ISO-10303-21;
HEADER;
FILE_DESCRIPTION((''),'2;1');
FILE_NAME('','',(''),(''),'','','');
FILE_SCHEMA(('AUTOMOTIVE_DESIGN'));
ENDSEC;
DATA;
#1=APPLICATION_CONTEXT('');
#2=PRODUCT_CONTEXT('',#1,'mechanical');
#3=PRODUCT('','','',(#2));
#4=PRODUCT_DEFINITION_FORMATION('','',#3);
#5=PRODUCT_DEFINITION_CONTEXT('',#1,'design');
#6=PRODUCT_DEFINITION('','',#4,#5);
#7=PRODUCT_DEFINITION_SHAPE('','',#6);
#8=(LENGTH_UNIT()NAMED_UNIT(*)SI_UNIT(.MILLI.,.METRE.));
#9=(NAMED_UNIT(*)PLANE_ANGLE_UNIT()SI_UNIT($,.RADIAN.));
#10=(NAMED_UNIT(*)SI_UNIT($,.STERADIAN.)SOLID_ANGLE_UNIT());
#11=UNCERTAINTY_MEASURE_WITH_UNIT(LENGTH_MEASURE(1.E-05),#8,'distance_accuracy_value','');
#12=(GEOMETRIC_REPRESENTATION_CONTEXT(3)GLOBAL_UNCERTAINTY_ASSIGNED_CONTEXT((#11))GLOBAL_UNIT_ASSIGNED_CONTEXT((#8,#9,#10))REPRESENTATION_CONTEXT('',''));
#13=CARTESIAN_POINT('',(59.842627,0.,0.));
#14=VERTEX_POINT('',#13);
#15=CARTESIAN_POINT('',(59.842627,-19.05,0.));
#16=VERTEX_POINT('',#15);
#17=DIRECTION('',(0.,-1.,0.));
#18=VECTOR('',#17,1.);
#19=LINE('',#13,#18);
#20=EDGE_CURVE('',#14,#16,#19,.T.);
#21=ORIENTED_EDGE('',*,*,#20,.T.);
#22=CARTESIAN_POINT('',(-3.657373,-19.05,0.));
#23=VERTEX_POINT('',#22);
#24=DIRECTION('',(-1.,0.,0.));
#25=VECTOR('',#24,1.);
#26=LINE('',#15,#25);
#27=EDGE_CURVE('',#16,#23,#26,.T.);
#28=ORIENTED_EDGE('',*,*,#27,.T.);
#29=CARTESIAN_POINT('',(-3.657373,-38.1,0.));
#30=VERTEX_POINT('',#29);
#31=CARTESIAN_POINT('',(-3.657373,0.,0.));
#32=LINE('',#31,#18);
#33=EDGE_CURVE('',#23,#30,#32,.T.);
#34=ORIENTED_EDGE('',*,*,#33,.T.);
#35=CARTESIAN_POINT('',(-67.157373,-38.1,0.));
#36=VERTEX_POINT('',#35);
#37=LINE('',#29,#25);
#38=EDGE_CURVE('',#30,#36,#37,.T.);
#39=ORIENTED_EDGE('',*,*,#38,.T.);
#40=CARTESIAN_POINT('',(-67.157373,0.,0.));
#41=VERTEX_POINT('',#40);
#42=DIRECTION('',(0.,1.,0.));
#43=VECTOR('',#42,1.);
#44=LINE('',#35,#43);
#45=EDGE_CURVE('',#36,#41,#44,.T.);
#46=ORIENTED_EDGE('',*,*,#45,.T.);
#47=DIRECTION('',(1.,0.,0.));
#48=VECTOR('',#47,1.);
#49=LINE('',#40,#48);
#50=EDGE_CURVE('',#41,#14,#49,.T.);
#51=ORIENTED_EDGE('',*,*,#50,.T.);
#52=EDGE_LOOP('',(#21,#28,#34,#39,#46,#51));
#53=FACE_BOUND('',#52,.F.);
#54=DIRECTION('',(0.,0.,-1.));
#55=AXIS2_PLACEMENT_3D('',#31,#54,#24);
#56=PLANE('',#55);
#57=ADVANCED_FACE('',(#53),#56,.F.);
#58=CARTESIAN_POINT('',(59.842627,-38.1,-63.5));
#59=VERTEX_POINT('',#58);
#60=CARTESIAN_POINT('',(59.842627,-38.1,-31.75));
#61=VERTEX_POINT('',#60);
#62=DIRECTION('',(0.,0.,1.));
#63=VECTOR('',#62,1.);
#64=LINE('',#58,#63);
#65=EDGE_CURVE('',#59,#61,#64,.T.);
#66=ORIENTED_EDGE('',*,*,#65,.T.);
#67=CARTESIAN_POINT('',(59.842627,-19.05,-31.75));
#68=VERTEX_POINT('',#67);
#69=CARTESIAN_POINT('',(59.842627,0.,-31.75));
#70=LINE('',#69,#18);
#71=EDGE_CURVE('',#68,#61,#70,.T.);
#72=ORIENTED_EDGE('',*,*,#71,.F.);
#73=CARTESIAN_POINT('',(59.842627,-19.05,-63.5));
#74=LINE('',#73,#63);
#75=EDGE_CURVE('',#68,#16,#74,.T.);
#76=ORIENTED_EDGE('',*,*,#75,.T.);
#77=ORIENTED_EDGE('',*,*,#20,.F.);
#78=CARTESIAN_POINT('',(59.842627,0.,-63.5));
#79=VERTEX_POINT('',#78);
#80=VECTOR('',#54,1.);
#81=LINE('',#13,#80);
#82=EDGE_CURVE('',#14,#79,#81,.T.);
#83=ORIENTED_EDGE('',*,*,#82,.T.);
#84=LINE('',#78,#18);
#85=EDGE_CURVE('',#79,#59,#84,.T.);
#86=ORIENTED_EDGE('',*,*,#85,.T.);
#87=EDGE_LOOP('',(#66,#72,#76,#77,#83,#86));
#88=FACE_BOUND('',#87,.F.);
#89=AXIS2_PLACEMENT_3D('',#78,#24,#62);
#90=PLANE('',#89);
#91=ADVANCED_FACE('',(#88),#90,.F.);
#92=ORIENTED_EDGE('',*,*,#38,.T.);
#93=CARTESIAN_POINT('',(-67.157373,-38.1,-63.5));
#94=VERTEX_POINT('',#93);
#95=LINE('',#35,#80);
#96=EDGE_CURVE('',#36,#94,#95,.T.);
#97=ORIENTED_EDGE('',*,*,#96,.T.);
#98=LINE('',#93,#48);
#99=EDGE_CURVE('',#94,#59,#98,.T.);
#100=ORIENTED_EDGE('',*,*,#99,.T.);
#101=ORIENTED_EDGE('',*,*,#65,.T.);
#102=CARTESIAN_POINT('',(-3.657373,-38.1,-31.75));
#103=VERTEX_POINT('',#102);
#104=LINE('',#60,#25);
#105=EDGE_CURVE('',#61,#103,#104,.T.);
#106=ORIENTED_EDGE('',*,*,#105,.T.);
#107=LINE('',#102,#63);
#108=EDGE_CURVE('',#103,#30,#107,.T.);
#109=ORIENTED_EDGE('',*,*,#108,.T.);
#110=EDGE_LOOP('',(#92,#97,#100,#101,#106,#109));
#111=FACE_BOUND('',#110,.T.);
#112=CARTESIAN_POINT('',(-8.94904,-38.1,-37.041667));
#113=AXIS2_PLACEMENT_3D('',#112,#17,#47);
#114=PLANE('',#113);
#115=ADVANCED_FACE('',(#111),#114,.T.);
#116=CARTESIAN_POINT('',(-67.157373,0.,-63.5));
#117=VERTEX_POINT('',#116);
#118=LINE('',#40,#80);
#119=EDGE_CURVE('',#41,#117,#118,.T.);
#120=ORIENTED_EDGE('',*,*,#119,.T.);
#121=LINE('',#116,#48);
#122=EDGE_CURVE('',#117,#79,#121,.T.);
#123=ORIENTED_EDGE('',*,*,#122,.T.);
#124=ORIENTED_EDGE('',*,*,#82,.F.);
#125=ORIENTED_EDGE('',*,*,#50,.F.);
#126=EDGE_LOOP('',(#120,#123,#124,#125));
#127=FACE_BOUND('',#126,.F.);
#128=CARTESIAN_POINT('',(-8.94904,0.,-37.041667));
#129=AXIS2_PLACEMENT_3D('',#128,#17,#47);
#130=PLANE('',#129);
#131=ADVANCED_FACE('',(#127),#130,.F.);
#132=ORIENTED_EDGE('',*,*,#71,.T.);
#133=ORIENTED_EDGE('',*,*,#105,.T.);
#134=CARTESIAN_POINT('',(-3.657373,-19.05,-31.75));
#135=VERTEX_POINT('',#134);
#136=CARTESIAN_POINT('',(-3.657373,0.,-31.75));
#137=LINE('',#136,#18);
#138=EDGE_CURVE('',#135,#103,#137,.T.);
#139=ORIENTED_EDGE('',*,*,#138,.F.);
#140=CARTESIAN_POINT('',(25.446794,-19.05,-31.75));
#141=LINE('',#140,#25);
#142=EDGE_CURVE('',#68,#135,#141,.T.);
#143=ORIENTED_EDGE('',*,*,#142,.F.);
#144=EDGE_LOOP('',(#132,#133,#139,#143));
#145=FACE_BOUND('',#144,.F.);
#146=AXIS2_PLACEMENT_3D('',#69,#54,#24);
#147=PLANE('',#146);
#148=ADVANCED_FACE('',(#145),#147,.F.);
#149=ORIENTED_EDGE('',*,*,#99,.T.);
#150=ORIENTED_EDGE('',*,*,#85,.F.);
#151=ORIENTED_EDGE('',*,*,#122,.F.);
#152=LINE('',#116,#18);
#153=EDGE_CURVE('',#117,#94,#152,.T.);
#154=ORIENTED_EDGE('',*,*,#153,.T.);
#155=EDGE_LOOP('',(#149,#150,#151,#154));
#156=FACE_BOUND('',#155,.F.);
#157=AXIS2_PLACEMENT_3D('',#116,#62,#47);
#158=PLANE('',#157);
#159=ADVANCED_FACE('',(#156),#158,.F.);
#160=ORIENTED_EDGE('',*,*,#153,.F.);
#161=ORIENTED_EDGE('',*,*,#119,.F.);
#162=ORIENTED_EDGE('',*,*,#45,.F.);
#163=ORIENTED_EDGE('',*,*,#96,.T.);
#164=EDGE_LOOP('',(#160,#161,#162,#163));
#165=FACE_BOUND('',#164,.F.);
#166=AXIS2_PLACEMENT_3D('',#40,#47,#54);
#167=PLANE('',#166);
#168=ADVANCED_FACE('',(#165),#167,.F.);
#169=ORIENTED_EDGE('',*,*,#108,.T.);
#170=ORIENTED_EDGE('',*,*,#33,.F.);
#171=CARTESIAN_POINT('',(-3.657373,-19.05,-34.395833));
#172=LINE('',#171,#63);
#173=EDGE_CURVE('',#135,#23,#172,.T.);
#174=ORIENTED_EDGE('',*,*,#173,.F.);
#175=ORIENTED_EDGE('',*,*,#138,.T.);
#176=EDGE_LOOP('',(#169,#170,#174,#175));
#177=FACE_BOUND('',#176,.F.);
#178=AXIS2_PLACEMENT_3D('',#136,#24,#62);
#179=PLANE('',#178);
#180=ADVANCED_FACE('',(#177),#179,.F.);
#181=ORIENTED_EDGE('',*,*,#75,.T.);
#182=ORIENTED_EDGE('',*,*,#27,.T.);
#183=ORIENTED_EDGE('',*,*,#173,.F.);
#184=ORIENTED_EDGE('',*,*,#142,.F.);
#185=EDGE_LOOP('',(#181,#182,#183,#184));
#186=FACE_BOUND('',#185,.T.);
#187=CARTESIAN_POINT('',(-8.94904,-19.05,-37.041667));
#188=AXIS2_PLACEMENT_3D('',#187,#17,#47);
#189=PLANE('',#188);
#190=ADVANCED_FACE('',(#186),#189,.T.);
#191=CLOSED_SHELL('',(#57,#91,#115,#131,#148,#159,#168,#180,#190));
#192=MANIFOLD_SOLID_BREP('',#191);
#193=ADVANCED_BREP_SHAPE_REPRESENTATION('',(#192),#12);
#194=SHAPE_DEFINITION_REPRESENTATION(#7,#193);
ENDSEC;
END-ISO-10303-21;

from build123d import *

# Parameters (mm, degrees)
F1_DEPTH = 38.1
F0_W     = 63.5
F0_H     = 31.75
F2_DEPTH = 19.05


with BuildPart() as f1:
    # F0 (on Front) → F1 (new body)
    with BuildSketch(Plane.XZ):
        Polygon((-67.157373, 0), (-67.157373, -63.5), (59.842627, -63.5), (59.842627, -31.75), (-3.657373, -31.75), (-3.657373, 0), align=None)
    extrude(amount=F1_DEPTH)

    # F0 (on Front) → F2 (join)
    with BuildSketch(Plane.XZ):
        Polygon((-67.157373, 0), (-67.157373, -63.5), (59.842627, -63.5), (59.842627, -31.75), (-3.657373, -31.75), (-3.657373, 0), align=None)
        with Locations((28.092627, -15.875)):
            Rectangle(F0_W, F0_H)
    extrude(amount=F2_DEPTH)


solid = f1.part
